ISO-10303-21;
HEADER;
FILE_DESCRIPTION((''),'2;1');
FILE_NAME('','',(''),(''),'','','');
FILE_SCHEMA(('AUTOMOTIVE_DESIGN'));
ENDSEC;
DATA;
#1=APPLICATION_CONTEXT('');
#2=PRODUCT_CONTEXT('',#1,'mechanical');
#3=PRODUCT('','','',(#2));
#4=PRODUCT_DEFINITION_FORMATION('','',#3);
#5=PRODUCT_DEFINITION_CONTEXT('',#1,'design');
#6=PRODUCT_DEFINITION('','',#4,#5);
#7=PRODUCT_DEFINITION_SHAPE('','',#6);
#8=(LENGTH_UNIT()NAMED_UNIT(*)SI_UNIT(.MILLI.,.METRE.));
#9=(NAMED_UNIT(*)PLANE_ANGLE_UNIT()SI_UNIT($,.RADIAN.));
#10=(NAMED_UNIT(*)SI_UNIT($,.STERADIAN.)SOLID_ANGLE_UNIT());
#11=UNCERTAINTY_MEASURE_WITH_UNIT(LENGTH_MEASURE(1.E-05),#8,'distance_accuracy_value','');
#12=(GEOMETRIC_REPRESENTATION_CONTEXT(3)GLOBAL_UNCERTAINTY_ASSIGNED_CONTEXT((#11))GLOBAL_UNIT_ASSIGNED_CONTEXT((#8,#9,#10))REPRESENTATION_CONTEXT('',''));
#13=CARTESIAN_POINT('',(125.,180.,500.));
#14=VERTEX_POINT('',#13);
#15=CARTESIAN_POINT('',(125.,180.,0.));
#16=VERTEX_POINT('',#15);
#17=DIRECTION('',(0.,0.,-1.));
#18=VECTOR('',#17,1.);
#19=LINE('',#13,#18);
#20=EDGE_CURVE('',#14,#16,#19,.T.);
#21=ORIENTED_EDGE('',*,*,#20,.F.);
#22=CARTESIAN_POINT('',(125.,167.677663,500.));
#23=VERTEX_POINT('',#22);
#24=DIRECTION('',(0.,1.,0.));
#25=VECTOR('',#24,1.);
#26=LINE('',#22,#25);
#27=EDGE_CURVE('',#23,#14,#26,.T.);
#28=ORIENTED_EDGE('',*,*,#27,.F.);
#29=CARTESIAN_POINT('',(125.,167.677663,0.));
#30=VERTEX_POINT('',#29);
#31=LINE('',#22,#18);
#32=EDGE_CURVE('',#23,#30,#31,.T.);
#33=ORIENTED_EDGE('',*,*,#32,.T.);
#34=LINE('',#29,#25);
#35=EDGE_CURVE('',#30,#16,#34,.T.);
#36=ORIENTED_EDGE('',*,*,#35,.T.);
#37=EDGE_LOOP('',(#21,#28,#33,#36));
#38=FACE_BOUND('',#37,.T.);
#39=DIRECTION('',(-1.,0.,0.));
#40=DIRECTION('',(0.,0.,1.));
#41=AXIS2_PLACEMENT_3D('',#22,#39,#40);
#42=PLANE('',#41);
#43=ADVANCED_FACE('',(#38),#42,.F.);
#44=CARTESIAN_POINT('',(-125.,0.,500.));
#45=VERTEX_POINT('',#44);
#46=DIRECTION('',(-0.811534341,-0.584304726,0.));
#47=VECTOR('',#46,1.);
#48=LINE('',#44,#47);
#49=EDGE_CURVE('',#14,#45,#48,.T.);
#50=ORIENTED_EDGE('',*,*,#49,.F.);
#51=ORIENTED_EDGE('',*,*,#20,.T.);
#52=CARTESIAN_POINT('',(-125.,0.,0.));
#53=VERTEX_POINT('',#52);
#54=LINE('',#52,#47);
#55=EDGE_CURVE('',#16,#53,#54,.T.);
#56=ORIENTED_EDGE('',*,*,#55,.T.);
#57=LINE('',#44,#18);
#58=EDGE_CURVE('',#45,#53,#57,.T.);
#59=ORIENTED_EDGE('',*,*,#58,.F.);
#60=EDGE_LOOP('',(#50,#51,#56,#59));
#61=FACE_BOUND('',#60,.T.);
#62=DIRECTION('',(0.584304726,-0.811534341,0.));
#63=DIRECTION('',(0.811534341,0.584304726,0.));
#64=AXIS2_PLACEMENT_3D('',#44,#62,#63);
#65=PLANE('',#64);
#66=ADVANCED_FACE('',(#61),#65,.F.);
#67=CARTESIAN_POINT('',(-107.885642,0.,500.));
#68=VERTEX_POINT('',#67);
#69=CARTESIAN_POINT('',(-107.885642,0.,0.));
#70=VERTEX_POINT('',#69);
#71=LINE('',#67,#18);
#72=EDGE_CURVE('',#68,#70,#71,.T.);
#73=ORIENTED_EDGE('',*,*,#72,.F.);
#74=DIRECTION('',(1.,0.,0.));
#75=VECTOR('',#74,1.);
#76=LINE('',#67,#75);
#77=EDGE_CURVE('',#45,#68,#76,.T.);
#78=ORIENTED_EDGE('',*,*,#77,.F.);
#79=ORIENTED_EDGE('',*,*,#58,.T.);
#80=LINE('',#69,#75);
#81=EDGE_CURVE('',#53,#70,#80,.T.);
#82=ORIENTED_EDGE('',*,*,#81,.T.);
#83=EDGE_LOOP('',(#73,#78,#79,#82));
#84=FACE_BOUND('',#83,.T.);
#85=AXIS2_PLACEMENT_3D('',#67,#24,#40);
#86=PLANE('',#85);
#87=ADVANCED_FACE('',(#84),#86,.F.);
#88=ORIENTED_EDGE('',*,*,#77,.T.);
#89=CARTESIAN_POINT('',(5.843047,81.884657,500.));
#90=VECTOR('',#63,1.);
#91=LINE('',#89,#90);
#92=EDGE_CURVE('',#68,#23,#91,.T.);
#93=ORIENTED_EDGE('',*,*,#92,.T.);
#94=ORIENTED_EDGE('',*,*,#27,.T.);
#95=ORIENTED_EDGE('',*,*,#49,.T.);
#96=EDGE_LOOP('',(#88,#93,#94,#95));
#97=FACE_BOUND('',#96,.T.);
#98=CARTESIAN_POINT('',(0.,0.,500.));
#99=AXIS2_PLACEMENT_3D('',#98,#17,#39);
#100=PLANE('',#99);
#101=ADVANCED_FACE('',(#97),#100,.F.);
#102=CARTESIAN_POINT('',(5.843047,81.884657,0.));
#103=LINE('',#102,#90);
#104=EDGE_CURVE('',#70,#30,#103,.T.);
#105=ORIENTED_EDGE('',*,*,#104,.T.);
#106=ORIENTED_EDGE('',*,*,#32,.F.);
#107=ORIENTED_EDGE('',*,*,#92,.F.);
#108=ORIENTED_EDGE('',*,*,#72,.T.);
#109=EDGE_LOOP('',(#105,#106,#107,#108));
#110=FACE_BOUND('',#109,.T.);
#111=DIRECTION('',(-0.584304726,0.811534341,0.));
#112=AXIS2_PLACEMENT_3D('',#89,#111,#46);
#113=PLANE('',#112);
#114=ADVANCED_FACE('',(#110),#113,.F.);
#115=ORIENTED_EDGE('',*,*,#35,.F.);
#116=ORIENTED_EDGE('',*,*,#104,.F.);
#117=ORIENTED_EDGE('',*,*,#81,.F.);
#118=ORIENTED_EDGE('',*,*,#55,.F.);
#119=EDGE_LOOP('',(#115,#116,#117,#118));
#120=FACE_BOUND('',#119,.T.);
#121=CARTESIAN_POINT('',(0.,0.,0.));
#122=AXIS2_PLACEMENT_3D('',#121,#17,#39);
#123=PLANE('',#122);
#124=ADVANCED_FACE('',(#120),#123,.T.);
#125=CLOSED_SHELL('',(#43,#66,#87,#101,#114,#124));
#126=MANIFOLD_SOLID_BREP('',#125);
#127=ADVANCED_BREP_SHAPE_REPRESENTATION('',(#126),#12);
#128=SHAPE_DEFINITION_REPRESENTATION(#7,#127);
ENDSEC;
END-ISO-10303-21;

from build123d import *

# Parameters (mm, degrees)
BOSS_EXTRUDE1_DEPTH = 500


with BuildPart() as part:
    # Sketch2 → Boss-Extrude1 (new body)
    with BuildSketch(Plane.XY):
        Polygon((-125, 0), (125, 180), (125, 167.677662559), (5.843047258, 81.884656585), (-107.885642444, 0), align=None)
    extrude(amount=BOSS_EXTRUDE1_DEPTH)


solid = part.part
